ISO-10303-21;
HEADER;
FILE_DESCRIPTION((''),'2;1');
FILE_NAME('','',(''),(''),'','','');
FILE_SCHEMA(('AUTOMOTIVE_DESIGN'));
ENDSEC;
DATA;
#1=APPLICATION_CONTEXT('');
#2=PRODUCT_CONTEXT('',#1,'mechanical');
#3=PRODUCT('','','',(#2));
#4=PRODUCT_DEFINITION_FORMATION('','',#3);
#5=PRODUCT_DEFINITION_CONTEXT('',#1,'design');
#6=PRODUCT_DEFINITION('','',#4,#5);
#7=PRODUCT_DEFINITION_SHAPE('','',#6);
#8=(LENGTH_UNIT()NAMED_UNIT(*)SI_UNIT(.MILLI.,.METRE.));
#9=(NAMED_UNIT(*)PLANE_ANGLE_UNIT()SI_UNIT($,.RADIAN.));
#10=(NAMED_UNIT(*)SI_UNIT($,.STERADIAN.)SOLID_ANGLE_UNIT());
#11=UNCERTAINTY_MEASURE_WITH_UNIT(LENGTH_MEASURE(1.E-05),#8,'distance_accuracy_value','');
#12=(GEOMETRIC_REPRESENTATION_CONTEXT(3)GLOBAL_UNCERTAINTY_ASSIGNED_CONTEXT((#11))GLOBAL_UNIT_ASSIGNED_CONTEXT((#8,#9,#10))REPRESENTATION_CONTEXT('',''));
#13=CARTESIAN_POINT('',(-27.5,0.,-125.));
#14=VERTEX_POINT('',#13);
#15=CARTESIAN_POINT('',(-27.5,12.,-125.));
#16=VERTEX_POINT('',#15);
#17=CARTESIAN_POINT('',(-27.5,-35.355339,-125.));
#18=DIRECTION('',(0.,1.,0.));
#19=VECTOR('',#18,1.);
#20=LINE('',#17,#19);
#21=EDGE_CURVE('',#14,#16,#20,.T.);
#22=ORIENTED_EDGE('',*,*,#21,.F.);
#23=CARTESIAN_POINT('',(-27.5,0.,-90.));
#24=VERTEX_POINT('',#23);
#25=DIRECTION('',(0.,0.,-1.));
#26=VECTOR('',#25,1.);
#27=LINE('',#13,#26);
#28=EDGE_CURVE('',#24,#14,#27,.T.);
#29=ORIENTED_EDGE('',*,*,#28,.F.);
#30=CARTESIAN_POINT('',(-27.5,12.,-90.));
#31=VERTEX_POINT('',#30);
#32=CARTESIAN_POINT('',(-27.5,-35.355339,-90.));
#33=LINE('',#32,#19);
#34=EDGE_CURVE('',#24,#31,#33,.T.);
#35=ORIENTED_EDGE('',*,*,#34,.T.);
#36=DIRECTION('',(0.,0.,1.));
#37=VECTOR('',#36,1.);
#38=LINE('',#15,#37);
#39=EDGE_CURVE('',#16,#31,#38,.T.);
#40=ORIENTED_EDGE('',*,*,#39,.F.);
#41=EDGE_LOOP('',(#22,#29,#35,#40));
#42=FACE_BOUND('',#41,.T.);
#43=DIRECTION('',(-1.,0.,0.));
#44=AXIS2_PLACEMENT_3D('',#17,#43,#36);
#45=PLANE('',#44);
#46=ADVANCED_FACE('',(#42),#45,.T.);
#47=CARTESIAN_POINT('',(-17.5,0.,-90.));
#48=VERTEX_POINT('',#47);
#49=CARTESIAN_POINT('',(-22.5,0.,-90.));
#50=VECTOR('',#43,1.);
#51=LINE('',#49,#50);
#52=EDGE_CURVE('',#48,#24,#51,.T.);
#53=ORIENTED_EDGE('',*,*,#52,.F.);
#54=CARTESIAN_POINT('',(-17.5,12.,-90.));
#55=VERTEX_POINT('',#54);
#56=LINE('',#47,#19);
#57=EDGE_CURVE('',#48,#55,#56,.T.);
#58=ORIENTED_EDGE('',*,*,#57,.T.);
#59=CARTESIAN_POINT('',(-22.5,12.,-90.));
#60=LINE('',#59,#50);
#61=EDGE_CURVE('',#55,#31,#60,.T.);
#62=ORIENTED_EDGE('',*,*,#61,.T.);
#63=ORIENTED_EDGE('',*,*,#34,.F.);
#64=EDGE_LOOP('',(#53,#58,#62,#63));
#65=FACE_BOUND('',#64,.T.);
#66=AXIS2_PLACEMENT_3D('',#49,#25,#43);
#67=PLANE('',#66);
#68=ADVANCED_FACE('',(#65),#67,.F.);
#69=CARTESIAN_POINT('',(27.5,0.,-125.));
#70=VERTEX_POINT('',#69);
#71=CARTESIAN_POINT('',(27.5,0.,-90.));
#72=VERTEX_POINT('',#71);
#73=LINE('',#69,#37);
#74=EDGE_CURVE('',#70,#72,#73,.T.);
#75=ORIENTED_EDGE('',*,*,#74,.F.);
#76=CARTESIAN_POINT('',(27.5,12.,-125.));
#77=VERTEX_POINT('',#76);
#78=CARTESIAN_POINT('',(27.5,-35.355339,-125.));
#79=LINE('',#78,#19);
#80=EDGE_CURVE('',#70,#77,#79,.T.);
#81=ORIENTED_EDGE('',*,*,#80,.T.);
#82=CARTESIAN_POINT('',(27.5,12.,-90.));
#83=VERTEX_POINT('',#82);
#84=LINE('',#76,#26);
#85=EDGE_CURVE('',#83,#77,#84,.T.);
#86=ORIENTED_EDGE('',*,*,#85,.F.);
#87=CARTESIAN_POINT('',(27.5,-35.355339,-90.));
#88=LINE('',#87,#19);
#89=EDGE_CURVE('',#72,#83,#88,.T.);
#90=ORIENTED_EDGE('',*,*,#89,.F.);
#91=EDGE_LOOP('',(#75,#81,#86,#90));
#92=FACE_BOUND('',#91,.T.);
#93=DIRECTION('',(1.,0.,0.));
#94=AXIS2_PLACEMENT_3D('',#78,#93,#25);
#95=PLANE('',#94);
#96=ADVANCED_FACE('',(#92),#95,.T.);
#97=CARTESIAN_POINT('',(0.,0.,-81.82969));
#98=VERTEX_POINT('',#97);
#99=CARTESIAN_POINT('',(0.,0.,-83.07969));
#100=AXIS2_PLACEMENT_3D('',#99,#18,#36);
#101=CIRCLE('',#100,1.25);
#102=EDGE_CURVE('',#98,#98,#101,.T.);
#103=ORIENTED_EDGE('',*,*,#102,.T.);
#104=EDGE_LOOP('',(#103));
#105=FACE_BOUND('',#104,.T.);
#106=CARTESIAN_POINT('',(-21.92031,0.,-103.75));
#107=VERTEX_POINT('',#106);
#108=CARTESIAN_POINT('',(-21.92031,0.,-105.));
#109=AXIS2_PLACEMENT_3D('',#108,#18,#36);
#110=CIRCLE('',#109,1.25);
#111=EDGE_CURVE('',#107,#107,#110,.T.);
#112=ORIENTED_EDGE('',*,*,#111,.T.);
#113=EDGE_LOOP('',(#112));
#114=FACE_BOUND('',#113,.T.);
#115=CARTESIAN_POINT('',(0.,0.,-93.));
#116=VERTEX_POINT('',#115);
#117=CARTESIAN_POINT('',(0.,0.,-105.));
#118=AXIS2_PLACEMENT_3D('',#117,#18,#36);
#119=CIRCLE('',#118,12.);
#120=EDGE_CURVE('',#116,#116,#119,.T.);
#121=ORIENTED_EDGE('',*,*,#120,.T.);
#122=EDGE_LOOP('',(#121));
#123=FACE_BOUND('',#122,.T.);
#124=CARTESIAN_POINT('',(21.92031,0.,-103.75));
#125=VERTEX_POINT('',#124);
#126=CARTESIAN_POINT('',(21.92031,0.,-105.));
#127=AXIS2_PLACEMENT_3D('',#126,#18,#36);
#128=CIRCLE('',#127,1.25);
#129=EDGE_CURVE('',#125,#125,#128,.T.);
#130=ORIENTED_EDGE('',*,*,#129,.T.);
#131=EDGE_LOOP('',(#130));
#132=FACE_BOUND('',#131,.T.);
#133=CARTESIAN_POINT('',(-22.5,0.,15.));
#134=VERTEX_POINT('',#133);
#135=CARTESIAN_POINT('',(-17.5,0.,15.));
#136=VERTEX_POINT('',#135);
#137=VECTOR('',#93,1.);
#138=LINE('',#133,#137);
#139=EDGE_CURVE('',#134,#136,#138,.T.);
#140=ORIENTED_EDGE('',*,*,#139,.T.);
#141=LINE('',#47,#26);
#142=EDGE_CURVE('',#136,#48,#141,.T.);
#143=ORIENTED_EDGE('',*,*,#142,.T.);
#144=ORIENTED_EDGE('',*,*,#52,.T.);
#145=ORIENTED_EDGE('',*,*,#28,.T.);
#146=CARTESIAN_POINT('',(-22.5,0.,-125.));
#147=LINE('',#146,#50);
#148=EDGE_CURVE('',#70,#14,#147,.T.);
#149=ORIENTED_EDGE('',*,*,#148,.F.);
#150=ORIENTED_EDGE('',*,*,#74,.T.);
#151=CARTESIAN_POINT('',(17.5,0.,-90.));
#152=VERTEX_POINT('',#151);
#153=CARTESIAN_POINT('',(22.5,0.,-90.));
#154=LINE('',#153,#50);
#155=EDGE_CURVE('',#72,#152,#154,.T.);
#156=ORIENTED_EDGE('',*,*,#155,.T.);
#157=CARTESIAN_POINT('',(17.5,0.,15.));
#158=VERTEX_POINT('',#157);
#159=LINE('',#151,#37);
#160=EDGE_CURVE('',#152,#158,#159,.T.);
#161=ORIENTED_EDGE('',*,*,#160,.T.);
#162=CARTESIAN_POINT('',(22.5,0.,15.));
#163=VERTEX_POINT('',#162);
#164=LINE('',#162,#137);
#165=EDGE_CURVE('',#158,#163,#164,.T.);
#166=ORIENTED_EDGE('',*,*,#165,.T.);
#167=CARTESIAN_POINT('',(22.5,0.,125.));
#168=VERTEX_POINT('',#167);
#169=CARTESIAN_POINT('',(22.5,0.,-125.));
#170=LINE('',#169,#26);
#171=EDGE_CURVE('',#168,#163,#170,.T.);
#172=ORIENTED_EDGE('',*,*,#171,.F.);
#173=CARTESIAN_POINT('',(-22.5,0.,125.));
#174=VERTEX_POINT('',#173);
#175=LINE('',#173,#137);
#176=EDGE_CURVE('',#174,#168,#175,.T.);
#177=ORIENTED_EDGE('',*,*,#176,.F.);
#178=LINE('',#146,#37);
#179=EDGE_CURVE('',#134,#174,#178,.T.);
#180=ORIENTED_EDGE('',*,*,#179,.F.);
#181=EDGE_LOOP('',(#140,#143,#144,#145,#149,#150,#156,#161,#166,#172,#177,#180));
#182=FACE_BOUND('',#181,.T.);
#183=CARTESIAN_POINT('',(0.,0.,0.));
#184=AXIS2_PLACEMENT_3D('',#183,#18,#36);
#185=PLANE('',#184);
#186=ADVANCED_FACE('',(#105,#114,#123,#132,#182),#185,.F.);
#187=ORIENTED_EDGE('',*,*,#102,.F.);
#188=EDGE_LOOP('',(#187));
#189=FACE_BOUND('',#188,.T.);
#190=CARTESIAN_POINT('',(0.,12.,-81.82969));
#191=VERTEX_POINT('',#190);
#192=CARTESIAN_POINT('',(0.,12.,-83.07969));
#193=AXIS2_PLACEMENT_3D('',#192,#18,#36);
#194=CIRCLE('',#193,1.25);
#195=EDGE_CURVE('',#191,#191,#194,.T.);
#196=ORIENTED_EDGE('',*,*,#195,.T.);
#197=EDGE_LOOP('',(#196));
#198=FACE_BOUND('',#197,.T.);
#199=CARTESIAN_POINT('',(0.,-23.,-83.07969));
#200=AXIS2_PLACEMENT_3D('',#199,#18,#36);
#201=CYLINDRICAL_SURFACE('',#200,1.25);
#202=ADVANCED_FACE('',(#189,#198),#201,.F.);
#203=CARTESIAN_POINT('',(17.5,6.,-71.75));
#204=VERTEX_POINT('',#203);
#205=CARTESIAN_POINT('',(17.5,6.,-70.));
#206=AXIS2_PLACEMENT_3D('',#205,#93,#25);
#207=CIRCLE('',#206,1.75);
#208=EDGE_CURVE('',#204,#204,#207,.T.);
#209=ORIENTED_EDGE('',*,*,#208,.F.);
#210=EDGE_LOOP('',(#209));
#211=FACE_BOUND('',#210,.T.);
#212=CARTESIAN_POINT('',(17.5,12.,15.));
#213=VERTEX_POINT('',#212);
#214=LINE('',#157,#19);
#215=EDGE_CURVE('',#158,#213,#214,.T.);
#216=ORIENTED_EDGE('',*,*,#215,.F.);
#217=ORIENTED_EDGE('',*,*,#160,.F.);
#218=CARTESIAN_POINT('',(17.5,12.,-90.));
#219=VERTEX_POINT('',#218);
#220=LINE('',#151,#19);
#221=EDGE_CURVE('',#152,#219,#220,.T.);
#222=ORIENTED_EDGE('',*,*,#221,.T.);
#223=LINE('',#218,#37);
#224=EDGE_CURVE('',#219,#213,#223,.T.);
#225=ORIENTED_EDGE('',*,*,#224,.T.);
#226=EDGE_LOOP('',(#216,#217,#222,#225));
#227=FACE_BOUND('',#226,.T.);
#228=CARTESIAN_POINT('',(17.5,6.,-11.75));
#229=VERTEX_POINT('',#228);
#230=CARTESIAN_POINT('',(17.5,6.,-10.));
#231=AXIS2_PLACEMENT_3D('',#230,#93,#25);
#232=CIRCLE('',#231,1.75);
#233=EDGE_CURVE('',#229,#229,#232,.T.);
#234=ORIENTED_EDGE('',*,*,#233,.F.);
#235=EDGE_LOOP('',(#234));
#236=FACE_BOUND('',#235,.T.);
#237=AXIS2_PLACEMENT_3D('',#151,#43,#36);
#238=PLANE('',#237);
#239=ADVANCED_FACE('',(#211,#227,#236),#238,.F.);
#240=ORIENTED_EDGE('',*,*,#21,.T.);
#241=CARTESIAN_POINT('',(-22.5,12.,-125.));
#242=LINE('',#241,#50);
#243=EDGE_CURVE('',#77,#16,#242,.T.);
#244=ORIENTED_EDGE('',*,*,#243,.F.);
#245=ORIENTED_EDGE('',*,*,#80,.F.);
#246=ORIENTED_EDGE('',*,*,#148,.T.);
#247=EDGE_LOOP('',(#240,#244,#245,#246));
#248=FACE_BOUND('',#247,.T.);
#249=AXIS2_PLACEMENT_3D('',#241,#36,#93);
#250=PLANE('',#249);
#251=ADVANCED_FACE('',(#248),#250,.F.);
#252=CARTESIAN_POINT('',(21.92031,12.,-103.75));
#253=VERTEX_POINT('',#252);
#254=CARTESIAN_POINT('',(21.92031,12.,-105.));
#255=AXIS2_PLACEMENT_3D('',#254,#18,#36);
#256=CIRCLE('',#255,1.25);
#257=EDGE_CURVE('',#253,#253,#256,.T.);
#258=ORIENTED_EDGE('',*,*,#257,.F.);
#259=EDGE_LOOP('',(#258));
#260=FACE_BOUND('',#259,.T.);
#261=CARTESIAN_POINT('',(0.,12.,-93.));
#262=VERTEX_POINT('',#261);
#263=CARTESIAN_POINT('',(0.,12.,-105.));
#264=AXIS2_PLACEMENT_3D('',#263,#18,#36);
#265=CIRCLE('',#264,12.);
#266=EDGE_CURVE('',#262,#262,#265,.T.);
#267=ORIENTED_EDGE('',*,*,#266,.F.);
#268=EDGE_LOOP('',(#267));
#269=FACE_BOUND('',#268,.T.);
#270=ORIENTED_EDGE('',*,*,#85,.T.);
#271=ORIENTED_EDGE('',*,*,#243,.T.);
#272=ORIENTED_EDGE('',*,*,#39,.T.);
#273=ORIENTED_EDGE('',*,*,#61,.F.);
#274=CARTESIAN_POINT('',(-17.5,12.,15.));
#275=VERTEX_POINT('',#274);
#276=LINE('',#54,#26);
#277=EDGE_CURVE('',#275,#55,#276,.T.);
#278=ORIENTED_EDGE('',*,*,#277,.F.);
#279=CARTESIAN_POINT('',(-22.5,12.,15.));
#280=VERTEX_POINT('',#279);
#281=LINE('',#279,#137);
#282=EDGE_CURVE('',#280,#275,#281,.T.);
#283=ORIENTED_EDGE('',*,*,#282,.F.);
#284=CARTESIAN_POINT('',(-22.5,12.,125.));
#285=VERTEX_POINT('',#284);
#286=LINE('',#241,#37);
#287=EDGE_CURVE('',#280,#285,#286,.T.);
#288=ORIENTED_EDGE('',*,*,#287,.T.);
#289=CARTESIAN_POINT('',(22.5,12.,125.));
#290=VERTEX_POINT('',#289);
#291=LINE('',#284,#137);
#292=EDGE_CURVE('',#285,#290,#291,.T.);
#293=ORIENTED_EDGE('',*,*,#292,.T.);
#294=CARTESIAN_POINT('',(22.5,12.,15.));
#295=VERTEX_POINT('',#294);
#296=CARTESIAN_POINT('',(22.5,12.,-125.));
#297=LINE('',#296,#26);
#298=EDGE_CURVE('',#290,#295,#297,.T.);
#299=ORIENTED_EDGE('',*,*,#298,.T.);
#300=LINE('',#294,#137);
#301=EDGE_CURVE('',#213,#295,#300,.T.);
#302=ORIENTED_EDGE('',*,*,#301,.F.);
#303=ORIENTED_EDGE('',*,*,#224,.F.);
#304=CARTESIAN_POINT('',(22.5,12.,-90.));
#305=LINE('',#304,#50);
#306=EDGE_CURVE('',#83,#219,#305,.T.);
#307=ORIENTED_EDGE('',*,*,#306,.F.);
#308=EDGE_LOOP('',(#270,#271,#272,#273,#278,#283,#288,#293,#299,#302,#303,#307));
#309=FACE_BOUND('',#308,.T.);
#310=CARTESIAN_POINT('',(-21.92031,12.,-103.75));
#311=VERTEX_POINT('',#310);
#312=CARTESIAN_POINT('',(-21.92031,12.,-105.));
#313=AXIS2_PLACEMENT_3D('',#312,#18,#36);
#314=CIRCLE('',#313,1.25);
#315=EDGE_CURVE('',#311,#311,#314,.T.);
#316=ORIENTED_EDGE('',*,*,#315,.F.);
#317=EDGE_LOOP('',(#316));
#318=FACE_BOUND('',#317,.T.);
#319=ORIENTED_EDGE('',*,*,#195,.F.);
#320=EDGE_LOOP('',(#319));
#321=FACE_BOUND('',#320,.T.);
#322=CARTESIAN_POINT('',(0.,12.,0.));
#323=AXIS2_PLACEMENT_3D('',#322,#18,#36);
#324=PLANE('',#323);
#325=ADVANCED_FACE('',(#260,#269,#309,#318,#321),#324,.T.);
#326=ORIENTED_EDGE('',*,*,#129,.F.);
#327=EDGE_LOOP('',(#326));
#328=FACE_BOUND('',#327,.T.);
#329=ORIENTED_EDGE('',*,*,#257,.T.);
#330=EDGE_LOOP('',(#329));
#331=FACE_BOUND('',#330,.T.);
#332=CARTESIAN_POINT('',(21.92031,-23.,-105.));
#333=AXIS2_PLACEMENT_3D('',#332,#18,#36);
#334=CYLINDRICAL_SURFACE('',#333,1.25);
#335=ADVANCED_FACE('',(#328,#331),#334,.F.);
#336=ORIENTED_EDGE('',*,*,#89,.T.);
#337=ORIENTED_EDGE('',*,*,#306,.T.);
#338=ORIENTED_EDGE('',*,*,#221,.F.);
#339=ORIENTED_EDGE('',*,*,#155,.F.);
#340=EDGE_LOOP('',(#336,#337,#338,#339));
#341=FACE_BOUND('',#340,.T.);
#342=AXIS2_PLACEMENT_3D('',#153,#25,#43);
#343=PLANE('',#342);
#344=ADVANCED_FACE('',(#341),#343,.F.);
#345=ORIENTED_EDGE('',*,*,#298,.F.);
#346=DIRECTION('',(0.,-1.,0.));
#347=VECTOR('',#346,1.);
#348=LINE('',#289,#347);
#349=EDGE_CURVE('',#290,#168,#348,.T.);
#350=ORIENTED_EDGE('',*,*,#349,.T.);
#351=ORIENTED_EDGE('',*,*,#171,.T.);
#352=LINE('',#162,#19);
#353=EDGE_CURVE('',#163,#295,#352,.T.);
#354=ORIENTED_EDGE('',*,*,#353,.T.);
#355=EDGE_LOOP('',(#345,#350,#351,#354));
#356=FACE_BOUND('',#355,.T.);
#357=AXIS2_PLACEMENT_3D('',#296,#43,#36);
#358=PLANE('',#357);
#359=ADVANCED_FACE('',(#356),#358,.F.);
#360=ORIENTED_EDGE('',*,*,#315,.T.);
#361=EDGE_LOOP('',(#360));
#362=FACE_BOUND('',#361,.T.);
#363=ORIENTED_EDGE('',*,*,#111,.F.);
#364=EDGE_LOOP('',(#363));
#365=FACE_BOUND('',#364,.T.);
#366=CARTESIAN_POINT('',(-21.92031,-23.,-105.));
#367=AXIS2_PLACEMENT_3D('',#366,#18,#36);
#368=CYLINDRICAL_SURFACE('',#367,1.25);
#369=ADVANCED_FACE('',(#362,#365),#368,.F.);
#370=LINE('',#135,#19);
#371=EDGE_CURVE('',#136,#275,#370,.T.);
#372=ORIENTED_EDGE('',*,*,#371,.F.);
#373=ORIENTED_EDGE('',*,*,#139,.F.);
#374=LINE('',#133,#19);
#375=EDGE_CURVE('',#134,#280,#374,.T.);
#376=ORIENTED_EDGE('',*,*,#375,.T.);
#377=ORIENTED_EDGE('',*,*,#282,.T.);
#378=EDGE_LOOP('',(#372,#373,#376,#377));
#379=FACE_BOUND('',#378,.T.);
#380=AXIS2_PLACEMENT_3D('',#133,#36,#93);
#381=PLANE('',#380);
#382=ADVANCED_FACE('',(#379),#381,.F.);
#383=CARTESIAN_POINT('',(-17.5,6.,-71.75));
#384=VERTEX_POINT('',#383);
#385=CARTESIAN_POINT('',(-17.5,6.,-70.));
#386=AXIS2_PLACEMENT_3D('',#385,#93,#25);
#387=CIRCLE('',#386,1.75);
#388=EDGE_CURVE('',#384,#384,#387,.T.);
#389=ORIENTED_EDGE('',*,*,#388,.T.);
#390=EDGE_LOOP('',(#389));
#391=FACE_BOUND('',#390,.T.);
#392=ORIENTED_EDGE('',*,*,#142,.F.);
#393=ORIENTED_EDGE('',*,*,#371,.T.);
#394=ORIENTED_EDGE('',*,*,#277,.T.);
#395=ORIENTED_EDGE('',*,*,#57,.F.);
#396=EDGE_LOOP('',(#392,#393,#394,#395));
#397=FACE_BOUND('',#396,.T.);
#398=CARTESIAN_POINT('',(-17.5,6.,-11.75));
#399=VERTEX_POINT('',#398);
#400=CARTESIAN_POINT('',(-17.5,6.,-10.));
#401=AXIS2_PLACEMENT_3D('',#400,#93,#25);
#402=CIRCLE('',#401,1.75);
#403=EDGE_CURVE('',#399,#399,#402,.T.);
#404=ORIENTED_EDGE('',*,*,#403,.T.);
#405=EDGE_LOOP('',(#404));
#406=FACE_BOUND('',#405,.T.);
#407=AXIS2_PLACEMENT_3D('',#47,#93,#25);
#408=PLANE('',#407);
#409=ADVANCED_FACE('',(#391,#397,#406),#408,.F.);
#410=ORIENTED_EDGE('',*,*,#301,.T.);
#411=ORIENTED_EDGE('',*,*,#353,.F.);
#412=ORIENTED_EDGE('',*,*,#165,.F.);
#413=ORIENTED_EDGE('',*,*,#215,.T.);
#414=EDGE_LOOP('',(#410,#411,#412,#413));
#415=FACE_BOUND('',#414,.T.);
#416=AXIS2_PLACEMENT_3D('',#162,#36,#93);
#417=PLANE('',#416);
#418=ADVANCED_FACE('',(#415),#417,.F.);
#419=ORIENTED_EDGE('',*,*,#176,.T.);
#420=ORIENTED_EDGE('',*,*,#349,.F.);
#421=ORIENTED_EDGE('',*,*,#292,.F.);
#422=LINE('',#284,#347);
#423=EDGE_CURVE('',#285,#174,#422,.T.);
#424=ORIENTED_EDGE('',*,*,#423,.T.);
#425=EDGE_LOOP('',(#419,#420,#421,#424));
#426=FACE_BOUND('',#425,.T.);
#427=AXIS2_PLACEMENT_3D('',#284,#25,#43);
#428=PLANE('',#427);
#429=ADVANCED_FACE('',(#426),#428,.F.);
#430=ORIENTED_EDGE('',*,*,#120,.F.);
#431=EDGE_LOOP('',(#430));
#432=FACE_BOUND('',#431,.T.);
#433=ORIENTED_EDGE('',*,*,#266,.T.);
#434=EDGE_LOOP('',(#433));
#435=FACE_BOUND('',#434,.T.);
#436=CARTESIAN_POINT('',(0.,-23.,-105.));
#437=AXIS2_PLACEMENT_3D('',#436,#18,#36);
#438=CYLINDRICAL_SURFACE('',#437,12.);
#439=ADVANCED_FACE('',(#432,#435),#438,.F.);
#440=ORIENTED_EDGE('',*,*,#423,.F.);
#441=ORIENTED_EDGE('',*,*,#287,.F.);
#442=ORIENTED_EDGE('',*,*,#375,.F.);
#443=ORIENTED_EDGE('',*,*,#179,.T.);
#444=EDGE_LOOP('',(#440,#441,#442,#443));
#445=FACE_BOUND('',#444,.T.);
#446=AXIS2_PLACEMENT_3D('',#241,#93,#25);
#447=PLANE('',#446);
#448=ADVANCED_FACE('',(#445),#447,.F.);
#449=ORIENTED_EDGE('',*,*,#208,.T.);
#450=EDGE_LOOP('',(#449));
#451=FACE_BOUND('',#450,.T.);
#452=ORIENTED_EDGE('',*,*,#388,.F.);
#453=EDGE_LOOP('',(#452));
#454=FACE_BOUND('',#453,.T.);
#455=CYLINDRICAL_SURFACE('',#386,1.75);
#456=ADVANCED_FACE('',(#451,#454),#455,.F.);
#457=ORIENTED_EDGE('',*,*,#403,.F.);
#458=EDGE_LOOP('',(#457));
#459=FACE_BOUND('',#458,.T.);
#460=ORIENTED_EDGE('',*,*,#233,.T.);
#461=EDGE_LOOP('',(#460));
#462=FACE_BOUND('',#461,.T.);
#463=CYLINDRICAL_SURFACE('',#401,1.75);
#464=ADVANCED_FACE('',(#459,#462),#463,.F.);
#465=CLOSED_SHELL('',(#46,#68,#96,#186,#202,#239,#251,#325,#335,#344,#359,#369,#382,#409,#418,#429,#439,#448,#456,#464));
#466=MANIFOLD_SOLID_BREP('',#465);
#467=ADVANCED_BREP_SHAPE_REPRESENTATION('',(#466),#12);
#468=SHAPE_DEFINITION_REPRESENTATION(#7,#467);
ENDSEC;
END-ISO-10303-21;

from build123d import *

# Parameters (mm, degrees)
SKETCH1_W           = 45
SKETCH1_H           = 250
BOSS_EXTRUDE1_DEPTH = 12
SKETCH2_W           = 5
SKETCH2_H           = 105
CUT_EXTRUDE1_DEPTH  = 12
SKETCH3_R           = 1.75
CUT_EXTRUDE2_DEPTH  = 35
SKETCH5_W           = 5
SKETCH5_H           = 35
BOSS_EXTRUDE2_DEPTH = 12
SKETCH7_R           = 12
SKETCH7_R_2         = 1.25
CUT_EXTRUDE3_DEPTH  = 35


with BuildPart() as part:
    # Sketch1 → Boss-Extrude1 (new body)
    with BuildSketch(Plane(origin=(0, 0, 0), x_dir=(1, 0, 0), z_dir=(0, 1, 0))):
        Rectangle(SKETCH1_W, SKETCH1_H)
    extrude(amount=BOSS_EXTRUDE1_DEPTH)

    # Sketch2 → Cut-Extrude1 (cut)
    with BuildSketch(Plane(origin=(0, 12, 0), x_dir=(1, 0, 0), z_dir=(0, 1, 0))):
        with Locations((20, 37.5)):
            Rectangle(SKETCH2_W, SKETCH2_H)
        with Locations((-20, 37.5)):
            Rectangle(SKETCH2_W, SKETCH2_H)
    extrude(amount=-CUT_EXTRUDE1_DEPTH, mode=Mode.SUBTRACT)

    # Sketch3 → Cut-Extrude2 (cut)
    with BuildSketch(Plane(origin=(17.5, 0, 0), x_dir=(0, 0, -1), z_dir=(1, 0, 0))):
        with Locations((10, 6)):
            Circle(SKETCH3_R)
        with Locations((70, 6)):
            Circle(SKETCH3_R)
    extrude(amount=-CUT_EXTRUDE2_DEPTH, mode=Mode.SUBTRACT)

    # Sketch5 → Boss-Extrude2 (add)
    with BuildSketch(Plane(origin=(0, 12, 0), x_dir=(1, 0, 0), z_dir=(0, 1, 0))):
        with Locations((25, 107.5)):
            Rectangle(SKETCH5_W, SKETCH5_H)
        with Locations((-25, 107.5)):
            Rectangle(SKETCH5_W, SKETCH5_H)
    extrude(amount=-BOSS_EXTRUDE2_DEPTH)

    # Sketch7 → Cut-Extrude3 (cut)
    with BuildSketch(Plane(origin=(0, 12, 0), x_dir=(1, 0, 0), z_dir=(0, 1, 0))):
        with Locations(Location((0, 105, 0), (0, 0, 270))):
            Circle(SKETCH7_R)
        with Locations(Location((21.920310217, 105, 0), (0, 0, 270))):
            Circle(SKETCH7_R_2)
        with Locations(Location((-21.920310217, 105, 0), (0, 0, 270))):
            Circle(SKETCH7_R_2)
        with Locations(Location((0, 83.079689783, 0), (0, 0, 270))):
            Circle(SKETCH7_R_2)
    extrude(amount=-CUT_EXTRUDE3_DEPTH, mode=Mode.SUBTRACT)


solid = part.part
